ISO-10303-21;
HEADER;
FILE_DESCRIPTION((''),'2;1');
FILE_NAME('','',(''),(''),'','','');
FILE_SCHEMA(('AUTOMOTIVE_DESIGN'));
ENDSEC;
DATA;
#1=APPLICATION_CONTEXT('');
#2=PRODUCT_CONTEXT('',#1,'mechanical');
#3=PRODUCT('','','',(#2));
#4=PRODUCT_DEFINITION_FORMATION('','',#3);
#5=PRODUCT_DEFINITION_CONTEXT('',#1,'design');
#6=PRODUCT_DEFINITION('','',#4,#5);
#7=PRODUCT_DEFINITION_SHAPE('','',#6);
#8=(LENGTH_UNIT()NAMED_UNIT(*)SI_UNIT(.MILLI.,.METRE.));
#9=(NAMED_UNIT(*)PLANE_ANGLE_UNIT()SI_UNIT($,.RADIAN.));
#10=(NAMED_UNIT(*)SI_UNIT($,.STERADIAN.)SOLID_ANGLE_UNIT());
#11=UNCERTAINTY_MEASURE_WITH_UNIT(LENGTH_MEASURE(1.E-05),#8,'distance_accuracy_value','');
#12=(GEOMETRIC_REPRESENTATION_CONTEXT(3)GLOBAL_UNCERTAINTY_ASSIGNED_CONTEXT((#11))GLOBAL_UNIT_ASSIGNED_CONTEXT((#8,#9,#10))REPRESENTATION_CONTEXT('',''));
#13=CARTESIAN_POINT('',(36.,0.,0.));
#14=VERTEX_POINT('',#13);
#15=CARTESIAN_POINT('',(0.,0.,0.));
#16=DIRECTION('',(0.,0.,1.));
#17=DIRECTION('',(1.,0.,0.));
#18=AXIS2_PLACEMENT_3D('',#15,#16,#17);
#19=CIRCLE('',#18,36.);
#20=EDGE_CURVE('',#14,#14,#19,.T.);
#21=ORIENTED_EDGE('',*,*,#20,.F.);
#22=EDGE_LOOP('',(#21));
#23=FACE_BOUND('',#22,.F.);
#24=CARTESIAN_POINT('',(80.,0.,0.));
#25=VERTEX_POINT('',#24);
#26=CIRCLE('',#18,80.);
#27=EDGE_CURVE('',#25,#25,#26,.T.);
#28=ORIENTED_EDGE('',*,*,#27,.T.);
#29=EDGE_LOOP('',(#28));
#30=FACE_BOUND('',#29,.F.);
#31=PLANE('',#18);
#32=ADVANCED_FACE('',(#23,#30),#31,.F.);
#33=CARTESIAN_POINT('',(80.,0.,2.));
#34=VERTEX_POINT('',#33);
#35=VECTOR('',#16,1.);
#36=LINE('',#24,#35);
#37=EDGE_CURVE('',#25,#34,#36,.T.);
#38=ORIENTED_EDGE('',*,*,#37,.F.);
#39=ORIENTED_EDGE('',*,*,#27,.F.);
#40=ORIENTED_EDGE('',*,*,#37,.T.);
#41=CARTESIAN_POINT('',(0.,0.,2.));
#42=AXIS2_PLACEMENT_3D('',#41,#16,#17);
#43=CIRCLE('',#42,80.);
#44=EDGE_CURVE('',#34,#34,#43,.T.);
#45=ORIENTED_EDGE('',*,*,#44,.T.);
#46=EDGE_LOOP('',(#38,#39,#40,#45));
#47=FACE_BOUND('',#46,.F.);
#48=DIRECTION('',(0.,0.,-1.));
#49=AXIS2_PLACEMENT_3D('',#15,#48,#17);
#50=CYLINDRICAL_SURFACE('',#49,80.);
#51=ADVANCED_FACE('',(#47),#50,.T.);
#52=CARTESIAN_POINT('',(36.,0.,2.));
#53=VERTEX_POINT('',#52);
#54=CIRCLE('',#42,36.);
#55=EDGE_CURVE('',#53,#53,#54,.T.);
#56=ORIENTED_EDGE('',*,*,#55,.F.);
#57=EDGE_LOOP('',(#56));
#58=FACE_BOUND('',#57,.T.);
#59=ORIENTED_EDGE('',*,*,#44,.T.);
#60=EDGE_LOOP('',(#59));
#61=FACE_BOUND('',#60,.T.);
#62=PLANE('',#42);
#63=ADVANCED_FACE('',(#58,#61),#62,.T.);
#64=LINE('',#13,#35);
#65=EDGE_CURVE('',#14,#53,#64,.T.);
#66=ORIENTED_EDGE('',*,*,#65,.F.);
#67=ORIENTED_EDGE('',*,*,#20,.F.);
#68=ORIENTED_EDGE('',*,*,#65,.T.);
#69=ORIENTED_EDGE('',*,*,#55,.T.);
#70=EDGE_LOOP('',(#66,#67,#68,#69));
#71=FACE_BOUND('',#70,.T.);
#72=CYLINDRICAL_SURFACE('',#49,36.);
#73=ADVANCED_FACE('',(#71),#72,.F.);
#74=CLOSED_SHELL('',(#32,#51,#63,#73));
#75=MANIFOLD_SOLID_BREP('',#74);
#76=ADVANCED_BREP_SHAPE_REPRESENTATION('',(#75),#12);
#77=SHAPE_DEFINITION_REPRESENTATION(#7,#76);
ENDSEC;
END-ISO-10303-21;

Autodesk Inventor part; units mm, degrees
ref_plane "YZ Plane" through (0, 0, 0) normal (1, 0, 0) x (0, 1, 0)
ref_plane "XZ Plane" through (0, 0, 0) normal (0, 1, 0) x (-1, 0, 0)
ref_plane "XY Plane" through (0, 0, 0) normal (0, 0, 1) x (1, 0, 0)
sketch "Sketch1" plane through (0, 0, 0) normal (0, 0, 1) x (1, 0, 0)
  circle A0 centre (0, 0) radius 36
  circle A1 centre (0, 0) radius 80
  line L0 (56.5685, -56.5685) -> (-56.5685, 56.5685) construction
  line L1 (-56.5685, -56.5685) -> (56.5685, 56.5685) construction
  point P0 (0, 36)
  dimension "d44" = 72
  dimension "d23" = 160
extrude "Plate1" add sketch "Sketch1" along normal blind 2
equation "\"d2\" = Thickness"
equation "\"BendReliefWidth\" = Thickness"
equation "\"BendReliefDepth\" = 0.5 * Thickness"
equation "\"CornerReliefSize\" = 4 * Thickness"
equation "\"MinimumRemnant\" = 2 * Thickness"
equation "\"TransitionRadius\" = BendRadius"
equation "\"JacobiRadiusSize\" = BendRadius"
equation "\"GapSize\" = Thickness"
equation "\"Octaeder_side\" = d41"
equation "\"Octaeder_flange_lenth\" = d42"
equation "\"Thickness\" = 2"
equation "\"BendRadius\" = 6"
equation "\"d41\" = 55.918831"
equation "\"d42\" = 72.5"
properties part number "DSB 336 head top" material "Stainless Steel"
